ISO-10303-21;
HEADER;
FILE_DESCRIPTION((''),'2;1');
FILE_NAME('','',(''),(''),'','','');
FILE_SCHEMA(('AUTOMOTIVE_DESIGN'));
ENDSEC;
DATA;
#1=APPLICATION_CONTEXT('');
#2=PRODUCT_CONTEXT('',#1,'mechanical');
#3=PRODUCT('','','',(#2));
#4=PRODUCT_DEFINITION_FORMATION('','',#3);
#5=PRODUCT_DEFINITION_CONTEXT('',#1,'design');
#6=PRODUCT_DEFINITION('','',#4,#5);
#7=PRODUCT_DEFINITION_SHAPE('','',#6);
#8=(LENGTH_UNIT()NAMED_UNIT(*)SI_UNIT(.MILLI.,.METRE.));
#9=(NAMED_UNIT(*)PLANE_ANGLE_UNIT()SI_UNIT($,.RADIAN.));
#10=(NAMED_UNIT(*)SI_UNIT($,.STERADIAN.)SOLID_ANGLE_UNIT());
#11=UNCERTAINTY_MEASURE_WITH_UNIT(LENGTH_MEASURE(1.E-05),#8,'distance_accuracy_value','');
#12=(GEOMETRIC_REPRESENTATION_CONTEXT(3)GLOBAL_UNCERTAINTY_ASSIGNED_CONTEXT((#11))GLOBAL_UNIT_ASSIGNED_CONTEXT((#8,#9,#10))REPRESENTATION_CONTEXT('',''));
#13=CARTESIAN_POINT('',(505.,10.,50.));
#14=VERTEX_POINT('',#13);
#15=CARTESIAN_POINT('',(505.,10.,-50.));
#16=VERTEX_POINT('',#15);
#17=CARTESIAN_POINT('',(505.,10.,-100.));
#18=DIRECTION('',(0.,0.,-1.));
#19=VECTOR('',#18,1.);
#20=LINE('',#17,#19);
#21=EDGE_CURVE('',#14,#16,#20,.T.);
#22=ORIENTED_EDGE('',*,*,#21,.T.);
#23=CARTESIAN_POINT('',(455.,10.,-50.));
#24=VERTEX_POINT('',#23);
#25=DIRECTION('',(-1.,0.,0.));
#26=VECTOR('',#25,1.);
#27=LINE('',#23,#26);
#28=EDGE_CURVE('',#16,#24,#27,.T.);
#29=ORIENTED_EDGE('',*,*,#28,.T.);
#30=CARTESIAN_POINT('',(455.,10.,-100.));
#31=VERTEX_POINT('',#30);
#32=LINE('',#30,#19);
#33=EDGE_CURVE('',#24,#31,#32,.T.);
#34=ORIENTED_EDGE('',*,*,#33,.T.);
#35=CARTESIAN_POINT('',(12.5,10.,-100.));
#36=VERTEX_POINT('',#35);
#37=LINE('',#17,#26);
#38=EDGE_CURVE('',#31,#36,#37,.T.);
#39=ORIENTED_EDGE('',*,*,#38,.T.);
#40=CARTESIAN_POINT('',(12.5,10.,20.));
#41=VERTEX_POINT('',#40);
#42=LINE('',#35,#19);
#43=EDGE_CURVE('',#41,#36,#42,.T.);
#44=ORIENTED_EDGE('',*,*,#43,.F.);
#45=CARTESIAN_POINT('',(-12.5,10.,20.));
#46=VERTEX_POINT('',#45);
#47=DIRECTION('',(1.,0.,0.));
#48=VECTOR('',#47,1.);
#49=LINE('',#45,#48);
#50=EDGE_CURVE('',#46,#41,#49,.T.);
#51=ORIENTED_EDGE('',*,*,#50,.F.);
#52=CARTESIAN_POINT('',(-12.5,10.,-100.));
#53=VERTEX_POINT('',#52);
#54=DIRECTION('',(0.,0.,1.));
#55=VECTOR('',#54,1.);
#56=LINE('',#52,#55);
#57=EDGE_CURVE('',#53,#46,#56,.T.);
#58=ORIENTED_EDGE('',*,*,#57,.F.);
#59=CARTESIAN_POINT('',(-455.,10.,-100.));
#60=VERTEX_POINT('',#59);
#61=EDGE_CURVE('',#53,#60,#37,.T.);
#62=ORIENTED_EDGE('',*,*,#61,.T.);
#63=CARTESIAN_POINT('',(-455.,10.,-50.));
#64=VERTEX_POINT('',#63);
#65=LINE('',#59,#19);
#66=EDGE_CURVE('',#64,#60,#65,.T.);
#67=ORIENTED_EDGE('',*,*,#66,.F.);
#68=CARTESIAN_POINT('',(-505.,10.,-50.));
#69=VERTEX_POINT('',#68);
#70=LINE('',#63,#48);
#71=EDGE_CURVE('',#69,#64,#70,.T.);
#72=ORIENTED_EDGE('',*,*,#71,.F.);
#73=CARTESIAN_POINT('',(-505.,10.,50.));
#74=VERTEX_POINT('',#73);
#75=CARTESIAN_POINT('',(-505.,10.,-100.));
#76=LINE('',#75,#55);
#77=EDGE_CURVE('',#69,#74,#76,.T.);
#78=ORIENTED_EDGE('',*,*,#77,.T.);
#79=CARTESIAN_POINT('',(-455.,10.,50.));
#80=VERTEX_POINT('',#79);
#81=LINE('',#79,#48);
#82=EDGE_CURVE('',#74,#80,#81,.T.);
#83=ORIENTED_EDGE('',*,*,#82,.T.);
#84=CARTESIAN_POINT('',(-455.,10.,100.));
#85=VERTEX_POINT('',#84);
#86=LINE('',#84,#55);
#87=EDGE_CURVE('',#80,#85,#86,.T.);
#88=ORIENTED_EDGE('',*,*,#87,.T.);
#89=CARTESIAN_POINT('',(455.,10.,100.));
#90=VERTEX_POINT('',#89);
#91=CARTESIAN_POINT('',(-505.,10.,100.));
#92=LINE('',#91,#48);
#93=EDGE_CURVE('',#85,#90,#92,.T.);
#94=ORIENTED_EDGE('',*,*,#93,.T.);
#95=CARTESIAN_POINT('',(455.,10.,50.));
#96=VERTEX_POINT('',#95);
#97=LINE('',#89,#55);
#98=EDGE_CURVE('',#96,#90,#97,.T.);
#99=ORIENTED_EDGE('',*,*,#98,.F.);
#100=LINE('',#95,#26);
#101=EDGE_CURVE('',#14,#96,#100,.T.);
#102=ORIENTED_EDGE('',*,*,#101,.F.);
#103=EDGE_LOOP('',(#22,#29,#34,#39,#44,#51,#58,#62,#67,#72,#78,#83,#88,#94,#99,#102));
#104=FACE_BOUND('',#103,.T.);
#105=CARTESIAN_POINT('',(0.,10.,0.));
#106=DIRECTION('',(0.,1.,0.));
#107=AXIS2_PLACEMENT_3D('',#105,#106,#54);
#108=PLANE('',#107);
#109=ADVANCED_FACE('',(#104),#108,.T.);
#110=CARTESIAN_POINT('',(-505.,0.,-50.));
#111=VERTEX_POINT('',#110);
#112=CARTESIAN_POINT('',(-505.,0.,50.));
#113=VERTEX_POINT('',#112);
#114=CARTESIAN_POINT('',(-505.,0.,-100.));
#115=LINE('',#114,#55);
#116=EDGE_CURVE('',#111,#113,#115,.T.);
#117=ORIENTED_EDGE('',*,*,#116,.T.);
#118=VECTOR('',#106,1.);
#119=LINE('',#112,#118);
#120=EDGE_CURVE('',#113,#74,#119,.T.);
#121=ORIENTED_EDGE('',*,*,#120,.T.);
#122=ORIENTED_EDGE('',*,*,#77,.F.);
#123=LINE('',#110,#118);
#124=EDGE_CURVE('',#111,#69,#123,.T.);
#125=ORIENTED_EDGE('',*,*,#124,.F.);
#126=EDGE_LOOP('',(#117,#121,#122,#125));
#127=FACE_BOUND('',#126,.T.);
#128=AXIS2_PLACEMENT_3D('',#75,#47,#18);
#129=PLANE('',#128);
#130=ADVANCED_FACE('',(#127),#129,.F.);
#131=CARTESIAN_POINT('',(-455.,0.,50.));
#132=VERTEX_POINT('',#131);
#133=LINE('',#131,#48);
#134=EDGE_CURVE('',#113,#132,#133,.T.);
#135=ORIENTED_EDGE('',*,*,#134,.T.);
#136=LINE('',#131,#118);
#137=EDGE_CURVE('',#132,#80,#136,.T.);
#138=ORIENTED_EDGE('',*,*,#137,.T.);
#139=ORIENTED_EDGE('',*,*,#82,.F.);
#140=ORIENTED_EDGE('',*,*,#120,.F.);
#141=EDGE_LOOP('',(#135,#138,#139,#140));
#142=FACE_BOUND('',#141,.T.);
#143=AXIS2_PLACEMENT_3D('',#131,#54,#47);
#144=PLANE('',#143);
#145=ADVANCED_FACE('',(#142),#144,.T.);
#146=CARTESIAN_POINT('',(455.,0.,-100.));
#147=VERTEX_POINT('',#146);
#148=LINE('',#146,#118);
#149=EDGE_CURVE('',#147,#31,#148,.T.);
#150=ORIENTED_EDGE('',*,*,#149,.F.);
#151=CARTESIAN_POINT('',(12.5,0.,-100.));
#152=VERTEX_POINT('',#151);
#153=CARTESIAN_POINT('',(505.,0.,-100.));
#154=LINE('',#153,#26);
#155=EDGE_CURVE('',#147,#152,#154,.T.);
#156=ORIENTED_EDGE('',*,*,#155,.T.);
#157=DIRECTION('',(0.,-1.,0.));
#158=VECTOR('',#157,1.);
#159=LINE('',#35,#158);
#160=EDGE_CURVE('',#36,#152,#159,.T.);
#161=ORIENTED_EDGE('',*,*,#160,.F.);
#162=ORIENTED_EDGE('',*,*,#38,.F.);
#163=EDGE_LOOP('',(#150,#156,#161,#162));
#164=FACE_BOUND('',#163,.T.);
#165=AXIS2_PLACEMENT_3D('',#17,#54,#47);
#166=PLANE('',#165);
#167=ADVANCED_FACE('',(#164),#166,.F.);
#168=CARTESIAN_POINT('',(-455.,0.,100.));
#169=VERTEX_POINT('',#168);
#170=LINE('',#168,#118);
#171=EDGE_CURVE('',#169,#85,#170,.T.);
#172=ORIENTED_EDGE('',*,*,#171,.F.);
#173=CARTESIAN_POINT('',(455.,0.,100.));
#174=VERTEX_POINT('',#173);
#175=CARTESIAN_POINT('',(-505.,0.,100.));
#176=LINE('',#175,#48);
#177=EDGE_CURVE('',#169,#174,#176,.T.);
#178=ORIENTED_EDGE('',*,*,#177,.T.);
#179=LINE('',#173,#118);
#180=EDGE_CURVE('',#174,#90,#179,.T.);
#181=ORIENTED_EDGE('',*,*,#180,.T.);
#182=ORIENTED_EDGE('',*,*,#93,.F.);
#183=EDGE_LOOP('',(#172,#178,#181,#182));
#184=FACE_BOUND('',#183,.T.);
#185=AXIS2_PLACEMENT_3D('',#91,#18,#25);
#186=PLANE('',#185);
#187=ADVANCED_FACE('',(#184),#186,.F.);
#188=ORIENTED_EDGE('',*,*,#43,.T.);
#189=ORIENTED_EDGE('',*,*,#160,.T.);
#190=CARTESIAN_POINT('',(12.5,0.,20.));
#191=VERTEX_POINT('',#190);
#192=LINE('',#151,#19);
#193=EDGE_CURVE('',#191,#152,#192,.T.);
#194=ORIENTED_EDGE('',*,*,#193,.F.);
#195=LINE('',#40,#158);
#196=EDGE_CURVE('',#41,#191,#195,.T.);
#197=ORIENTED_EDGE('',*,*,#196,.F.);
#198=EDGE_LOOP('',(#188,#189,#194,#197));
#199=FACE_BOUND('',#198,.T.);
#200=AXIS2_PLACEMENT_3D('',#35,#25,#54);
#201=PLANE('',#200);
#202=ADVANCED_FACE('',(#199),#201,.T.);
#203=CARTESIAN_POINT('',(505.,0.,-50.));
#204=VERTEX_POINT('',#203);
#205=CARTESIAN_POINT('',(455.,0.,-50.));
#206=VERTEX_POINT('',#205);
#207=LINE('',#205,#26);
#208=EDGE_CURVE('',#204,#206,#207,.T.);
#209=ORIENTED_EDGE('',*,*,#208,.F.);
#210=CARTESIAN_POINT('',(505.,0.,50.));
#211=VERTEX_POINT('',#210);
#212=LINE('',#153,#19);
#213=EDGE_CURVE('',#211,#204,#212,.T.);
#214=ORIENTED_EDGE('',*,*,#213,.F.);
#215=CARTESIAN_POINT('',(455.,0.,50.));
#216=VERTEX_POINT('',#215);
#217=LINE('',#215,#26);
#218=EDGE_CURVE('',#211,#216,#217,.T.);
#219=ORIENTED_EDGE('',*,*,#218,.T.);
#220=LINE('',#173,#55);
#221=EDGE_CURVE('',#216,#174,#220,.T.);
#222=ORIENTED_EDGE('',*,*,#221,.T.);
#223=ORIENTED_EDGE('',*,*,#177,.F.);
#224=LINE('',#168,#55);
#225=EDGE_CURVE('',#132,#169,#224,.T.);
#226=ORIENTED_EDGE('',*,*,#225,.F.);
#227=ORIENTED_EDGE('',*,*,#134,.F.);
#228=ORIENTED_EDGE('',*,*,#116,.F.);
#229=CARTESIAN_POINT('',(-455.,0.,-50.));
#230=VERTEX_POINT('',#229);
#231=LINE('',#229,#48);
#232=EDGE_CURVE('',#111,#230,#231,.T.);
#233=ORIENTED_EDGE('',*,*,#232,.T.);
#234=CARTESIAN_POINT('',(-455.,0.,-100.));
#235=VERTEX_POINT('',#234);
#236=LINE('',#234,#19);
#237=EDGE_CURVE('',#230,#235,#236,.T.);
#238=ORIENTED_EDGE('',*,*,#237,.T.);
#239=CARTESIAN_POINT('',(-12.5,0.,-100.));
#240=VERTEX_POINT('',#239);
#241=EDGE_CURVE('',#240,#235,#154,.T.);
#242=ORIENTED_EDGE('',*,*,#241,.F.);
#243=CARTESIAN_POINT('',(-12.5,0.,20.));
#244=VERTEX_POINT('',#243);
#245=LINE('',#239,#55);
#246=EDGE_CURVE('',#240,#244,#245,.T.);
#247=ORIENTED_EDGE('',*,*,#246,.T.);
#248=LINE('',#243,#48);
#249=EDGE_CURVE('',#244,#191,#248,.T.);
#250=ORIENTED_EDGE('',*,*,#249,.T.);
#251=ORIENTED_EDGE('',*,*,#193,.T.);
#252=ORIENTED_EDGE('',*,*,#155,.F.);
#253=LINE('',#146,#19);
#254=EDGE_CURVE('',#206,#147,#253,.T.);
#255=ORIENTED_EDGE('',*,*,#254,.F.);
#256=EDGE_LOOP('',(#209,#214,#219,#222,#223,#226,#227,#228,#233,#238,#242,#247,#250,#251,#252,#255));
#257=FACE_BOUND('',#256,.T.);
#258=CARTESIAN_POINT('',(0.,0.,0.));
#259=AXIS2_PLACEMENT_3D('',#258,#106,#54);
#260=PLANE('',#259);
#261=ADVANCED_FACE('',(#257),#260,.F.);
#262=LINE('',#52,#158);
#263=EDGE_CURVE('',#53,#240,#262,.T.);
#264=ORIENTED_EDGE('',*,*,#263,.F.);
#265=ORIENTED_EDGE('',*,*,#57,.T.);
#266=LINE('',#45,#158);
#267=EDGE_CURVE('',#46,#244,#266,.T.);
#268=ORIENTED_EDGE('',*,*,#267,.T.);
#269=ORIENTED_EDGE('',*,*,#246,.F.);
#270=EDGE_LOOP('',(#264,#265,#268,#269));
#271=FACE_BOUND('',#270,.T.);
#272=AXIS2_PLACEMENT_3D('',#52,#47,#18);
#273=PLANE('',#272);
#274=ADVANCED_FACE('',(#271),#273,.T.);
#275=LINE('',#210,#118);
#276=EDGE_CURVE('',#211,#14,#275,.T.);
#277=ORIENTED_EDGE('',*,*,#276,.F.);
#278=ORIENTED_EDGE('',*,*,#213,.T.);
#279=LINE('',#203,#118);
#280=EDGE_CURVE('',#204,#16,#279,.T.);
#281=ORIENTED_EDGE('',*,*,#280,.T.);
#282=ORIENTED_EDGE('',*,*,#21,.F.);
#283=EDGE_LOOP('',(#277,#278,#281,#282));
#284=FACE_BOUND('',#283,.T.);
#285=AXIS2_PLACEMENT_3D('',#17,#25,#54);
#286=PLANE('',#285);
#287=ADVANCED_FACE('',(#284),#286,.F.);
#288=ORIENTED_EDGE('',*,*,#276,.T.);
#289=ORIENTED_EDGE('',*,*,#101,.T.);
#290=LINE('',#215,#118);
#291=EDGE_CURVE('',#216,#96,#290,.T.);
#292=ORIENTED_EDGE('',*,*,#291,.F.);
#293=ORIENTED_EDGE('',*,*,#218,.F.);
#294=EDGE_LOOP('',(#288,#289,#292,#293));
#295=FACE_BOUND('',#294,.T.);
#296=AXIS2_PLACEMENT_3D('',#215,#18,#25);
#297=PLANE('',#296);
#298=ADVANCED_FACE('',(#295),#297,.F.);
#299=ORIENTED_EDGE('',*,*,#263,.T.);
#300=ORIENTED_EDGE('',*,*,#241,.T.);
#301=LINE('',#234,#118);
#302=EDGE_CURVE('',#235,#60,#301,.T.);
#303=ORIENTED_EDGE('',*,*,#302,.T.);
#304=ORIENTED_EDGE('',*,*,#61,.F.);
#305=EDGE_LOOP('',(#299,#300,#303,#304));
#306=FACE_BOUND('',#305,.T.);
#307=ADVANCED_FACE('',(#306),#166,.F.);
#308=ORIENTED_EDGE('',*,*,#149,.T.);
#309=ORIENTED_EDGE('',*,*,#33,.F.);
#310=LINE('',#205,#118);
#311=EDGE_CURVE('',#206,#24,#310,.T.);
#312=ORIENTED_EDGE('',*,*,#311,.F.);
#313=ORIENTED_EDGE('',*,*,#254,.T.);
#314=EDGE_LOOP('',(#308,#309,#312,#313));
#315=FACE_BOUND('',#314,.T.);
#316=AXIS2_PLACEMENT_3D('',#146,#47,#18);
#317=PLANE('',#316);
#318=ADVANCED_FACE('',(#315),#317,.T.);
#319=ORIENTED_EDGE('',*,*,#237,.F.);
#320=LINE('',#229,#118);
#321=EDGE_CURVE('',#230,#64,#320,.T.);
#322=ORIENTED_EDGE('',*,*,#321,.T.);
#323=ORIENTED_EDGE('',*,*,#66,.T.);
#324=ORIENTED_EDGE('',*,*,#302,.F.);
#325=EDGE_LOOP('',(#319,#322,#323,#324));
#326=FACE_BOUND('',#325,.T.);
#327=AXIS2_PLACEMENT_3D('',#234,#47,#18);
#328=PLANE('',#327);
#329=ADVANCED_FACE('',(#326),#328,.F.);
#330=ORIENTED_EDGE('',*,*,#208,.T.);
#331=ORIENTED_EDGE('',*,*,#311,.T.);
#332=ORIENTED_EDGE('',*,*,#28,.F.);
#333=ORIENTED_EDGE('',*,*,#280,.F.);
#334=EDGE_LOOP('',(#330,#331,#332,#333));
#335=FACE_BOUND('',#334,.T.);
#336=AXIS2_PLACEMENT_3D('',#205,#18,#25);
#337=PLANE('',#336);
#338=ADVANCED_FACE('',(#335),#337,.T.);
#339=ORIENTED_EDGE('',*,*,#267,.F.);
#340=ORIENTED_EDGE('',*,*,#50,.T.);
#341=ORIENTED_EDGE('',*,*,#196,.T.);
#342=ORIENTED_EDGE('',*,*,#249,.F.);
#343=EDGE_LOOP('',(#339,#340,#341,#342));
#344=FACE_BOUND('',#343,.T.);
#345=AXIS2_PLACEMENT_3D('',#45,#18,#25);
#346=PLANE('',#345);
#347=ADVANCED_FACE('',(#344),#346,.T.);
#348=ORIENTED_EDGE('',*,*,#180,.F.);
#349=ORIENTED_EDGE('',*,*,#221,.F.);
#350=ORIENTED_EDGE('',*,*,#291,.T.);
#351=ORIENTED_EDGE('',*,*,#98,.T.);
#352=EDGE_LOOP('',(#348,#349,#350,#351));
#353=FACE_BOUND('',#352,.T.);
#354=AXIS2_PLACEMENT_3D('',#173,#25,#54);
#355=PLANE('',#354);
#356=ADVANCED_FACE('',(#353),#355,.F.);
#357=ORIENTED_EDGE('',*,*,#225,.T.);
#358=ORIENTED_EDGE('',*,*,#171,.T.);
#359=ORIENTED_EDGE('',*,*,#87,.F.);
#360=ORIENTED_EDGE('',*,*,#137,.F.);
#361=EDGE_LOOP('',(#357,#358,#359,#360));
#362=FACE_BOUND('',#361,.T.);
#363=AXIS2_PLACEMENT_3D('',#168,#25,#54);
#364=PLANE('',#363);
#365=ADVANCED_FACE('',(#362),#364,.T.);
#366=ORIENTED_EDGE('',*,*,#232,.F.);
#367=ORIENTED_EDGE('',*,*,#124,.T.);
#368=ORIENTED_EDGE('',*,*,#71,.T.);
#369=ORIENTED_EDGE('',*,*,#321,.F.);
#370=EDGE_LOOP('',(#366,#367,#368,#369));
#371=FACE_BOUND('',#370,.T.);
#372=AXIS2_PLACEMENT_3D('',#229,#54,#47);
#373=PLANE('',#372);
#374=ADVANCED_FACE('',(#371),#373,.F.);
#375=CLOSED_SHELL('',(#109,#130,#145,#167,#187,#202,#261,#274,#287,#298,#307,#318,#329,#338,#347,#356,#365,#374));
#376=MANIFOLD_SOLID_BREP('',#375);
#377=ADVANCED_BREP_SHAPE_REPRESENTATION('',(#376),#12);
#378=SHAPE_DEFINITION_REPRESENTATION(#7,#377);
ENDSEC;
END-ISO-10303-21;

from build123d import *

# Parameters (mm, degrees)
SKETCH1_W               = 1010
SKETCH1_H               = 200
BOSS_EXTRUDE1_DEPTH     = 10
SKETCH2_W               = 50
SKETCH2_H               = 50
CUT_EXTRUDE1_DEPTH      = 10
MIRROR2_COPY_1_SKETCH_W = 50
MIRROR2_COPY_1_SKETCH_H = 50
MIRROR2_COPY_1_DEPTH    = 10
SKETCH3_W               = 25
SKETCH3_H               = 120
CUT_EXTRUDE3_DEPTH      = 10


with BuildPart() as part:
    # Sketch1 → Boss-Extrude1 (new body)
    with BuildSketch(Plane(origin=(0, 0, 0), x_dir=(1, 0, 0), z_dir=(0, 1, 0))):
        Rectangle(SKETCH1_W, SKETCH1_H)
    extrude(amount=BOSS_EXTRUDE1_DEPTH)

    # Sketch2 → Cut-Extrude1 (cut)
    with BuildSketch(Plane(origin=(0, 10, 0), x_dir=(1, 0, 0), z_dir=(0, 1, 0))):
        with Locations((-480, 75)):
            Rectangle(SKETCH2_W, SKETCH2_H)
    cut_extrude1 = extrude(amount=-CUT_EXTRUDE1_DEPTH, mode=Mode.SUBTRACT)

    # Mirror1: Cut-Extrude1 across plane
    add(cut_extrude1.mirror(Plane.XY), mode=Mode.SUBTRACT)

    # Mirror2: Cut-Extrude1 across plane
    add(cut_extrude1.mirror(Plane(origin=(0, 0, 0), x_dir=(0, 0, 1), z_dir=(1, 0, 0))), mode=Mode.SUBTRACT)

    # Mirror2 copy 1 sketch → Mirror2 copy 1 (cut)
    with BuildSketch(Plane(origin=(0, 10, 0), x_dir=(-1, 0, 0), z_dir=(0, 1, 0))):
        with Locations((-480, 75)):
            Rectangle(MIRROR2_COPY_1_SKETCH_W, MIRROR2_COPY_1_SKETCH_H)
    extrude(amount=-MIRROR2_COPY_1_DEPTH, mode=Mode.SUBTRACT)

    # Sketch3 → Cut-Extrude3 (cut)
    with BuildSketch(Plane(origin=(0, 0, 0), x_dir=(1, 0, 0), z_dir=(0, 1, 0))):
        with Locations((0, 40)):
            Rectangle(SKETCH3_W, SKETCH3_H)
    extrude(amount=CUT_EXTRUDE3_DEPTH, mode=Mode.SUBTRACT)


solid = part.part
